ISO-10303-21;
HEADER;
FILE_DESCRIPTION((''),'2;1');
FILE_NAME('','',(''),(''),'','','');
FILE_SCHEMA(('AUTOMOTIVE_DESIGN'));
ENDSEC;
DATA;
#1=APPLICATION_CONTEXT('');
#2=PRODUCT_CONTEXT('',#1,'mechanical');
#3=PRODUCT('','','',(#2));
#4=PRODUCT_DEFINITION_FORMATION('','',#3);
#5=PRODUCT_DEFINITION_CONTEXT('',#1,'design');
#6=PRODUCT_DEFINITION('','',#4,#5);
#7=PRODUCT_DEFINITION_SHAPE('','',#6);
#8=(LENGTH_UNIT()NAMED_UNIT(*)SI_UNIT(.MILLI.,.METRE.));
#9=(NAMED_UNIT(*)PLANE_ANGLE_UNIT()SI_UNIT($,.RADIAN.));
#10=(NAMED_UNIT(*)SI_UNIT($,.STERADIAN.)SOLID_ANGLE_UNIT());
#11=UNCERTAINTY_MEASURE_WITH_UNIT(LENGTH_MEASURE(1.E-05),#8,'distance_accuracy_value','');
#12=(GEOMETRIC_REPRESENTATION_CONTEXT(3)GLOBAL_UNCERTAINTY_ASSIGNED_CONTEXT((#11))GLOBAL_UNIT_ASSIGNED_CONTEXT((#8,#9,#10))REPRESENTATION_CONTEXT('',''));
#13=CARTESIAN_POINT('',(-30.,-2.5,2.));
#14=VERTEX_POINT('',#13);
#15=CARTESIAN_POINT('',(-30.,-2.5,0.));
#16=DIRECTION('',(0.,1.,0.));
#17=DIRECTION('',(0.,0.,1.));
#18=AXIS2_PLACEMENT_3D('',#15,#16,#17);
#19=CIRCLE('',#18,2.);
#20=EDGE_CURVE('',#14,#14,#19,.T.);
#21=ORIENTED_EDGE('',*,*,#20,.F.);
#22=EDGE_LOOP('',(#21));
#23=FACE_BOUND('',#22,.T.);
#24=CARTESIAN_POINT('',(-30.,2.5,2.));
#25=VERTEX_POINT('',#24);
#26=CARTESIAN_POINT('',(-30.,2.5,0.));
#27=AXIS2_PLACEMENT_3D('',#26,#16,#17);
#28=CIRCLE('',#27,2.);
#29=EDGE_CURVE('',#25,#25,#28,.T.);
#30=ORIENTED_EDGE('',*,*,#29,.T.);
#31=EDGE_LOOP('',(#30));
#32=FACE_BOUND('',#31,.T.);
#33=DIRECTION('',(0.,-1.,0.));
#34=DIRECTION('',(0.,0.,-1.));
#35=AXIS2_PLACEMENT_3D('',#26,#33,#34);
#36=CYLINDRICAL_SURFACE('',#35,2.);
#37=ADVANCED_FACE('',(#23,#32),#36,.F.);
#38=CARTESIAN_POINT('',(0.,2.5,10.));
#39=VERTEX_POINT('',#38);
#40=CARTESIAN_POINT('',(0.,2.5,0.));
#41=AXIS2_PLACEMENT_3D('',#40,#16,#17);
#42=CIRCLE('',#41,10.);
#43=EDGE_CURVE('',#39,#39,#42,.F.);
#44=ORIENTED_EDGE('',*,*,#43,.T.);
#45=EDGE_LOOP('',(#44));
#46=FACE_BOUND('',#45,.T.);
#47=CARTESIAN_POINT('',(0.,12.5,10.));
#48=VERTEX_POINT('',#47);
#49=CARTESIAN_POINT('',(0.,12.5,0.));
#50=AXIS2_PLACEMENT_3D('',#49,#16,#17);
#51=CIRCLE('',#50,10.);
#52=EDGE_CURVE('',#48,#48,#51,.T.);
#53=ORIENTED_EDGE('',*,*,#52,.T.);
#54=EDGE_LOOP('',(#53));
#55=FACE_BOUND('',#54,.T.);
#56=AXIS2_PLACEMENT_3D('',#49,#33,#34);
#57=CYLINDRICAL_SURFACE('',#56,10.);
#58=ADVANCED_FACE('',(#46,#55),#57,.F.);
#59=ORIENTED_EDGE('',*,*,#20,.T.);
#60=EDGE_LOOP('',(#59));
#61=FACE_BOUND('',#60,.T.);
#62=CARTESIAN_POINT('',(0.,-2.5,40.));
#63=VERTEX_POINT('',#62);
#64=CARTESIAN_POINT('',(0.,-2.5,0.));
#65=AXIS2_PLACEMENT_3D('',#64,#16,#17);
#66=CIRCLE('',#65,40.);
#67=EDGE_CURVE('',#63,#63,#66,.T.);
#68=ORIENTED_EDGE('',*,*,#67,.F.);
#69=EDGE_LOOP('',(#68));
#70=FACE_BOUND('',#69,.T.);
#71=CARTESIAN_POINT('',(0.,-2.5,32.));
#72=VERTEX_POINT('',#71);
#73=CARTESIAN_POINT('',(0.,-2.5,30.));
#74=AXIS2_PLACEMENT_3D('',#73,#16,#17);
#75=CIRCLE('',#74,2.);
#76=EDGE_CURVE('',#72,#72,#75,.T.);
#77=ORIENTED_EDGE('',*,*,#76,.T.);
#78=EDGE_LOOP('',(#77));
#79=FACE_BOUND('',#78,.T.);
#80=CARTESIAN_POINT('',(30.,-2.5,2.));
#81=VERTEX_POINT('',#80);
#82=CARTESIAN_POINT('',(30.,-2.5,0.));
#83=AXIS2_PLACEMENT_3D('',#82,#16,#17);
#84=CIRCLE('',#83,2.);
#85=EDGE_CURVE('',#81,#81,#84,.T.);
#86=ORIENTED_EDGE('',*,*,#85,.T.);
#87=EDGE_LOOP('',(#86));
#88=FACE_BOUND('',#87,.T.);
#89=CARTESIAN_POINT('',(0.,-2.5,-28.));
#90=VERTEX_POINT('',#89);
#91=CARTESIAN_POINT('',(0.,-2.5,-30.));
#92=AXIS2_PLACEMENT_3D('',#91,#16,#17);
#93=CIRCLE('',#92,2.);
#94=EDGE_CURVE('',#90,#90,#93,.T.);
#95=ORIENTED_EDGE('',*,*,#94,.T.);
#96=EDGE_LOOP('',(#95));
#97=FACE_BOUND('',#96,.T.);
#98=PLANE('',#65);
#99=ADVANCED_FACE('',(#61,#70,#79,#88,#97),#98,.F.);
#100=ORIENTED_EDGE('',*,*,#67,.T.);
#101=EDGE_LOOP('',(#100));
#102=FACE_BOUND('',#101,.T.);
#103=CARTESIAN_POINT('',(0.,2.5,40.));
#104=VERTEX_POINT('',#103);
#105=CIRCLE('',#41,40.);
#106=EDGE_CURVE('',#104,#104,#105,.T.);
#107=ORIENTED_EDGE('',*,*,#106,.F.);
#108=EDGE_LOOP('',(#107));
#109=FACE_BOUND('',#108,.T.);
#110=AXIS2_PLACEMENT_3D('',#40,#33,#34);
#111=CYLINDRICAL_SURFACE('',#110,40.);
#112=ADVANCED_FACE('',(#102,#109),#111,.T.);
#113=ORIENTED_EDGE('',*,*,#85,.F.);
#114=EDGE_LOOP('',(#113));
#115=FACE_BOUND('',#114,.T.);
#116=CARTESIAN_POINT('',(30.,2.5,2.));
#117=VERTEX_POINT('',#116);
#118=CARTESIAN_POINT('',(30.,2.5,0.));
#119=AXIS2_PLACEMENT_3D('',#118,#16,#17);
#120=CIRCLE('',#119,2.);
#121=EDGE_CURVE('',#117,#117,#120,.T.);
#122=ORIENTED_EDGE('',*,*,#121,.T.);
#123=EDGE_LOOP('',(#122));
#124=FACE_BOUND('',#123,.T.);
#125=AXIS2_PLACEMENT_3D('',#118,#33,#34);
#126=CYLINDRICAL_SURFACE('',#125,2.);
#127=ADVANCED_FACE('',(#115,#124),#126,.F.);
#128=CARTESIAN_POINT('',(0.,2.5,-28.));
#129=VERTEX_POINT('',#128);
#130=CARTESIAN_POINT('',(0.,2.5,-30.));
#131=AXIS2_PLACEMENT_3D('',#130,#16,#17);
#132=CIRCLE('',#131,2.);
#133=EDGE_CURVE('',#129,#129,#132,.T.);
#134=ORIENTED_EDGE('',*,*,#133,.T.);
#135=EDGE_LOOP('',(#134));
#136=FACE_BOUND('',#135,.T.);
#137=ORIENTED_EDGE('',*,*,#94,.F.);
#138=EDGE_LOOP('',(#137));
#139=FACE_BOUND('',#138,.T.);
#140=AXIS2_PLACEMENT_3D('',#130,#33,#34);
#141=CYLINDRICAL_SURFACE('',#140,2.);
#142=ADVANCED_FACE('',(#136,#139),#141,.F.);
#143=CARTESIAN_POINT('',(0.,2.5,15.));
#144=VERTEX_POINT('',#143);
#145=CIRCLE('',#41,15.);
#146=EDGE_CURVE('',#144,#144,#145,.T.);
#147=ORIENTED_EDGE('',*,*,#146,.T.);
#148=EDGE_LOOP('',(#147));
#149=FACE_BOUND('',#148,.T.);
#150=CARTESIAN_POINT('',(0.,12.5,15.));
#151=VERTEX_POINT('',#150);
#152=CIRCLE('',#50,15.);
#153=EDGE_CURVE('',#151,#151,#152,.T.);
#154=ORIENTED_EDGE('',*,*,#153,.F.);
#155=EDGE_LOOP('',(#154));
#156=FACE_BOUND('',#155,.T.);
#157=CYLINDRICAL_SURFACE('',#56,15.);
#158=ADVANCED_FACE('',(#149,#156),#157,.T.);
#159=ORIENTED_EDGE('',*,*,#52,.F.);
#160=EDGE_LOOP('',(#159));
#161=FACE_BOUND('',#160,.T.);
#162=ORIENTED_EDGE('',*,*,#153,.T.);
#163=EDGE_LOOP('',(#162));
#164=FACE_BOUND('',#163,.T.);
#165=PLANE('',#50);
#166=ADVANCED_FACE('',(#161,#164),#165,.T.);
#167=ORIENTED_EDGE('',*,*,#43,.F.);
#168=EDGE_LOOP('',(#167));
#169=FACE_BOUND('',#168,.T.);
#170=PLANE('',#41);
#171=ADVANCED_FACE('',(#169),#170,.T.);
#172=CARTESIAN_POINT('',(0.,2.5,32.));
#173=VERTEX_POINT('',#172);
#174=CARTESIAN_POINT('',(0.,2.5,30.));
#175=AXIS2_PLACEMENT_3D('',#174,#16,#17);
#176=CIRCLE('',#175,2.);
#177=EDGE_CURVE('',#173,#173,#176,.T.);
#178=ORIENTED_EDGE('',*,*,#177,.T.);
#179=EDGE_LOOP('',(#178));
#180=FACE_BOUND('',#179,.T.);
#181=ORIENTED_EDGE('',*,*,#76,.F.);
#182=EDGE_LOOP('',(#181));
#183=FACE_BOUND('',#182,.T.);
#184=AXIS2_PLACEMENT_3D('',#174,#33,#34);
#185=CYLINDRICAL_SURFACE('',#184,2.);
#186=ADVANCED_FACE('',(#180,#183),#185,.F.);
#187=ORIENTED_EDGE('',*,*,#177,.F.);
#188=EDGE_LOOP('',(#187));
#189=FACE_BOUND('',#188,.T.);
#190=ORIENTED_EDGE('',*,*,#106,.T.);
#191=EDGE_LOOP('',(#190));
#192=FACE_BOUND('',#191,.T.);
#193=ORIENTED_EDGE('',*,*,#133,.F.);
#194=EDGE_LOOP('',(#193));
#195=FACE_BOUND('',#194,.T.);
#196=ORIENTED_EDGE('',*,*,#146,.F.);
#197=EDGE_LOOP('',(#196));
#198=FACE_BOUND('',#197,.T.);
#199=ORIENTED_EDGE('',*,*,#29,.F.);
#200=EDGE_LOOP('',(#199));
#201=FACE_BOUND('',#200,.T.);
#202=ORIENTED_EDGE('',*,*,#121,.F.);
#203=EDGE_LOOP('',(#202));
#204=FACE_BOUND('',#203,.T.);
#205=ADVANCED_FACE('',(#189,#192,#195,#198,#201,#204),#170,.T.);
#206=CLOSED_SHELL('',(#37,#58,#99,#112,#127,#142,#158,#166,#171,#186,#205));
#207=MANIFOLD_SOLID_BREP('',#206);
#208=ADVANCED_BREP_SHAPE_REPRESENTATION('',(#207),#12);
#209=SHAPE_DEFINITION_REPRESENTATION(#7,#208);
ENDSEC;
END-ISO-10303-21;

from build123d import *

# Parameters (mm, degrees)
SKETCH1_R           = 40
SKETCH1_R_2         = 2
BOSS_EXTRUDE1_DEPTH = 2.5
SKETCH2_R           = 15
SKETCH2_R_2         = 10
BOSS_EXTRUDE2_DEPTH = 10


with BuildPart() as part:
    # Sketch1 → Boss-Extrude1 (new, symmetric)
    with BuildSketch(Plane(origin=(0, 0, 0), x_dir=(1, 0, 0), z_dir=(0, 1, 0))):
        with Locations(Location((0, 0, 0), (0, 0, 270))):
            Circle(SKETCH1_R)
        with Locations(Location((0, 30, 0), (0, 0, 270))):
            Circle(SKETCH1_R_2, mode=Mode.SUBTRACT)
        with Locations(Location((30, 0, 0), (0, 0, 270))):
            Circle(SKETCH1_R_2, mode=Mode.SUBTRACT)
        with Locations(Location((0, -30, 0), (0, 0, 270))):
            Circle(SKETCH1_R_2, mode=Mode.SUBTRACT)
        with Locations(Location((-30, 0, 0), (0, 0, 270))):
            Circle(SKETCH1_R_2, mode=Mode.SUBTRACT)
    extrude(amount=BOSS_EXTRUDE1_DEPTH, both=True)

    # Sketch2 → Boss-Extrude2 (add)
    with BuildSketch(Plane(origin=(0, 2.5, 0), x_dir=(1, 0, 0), z_dir=(0, 1, 0))):
        with Locations(Location((0, 0, 0), (0, 0, 270))):
            Circle(SKETCH2_R)
        with Locations(Location((0, 0, 0), (0, 0, 270))):
            Circle(SKETCH2_R_2, mode=Mode.SUBTRACT)
    extrude(amount=BOSS_EXTRUDE2_DEPTH)


solid = part.part
